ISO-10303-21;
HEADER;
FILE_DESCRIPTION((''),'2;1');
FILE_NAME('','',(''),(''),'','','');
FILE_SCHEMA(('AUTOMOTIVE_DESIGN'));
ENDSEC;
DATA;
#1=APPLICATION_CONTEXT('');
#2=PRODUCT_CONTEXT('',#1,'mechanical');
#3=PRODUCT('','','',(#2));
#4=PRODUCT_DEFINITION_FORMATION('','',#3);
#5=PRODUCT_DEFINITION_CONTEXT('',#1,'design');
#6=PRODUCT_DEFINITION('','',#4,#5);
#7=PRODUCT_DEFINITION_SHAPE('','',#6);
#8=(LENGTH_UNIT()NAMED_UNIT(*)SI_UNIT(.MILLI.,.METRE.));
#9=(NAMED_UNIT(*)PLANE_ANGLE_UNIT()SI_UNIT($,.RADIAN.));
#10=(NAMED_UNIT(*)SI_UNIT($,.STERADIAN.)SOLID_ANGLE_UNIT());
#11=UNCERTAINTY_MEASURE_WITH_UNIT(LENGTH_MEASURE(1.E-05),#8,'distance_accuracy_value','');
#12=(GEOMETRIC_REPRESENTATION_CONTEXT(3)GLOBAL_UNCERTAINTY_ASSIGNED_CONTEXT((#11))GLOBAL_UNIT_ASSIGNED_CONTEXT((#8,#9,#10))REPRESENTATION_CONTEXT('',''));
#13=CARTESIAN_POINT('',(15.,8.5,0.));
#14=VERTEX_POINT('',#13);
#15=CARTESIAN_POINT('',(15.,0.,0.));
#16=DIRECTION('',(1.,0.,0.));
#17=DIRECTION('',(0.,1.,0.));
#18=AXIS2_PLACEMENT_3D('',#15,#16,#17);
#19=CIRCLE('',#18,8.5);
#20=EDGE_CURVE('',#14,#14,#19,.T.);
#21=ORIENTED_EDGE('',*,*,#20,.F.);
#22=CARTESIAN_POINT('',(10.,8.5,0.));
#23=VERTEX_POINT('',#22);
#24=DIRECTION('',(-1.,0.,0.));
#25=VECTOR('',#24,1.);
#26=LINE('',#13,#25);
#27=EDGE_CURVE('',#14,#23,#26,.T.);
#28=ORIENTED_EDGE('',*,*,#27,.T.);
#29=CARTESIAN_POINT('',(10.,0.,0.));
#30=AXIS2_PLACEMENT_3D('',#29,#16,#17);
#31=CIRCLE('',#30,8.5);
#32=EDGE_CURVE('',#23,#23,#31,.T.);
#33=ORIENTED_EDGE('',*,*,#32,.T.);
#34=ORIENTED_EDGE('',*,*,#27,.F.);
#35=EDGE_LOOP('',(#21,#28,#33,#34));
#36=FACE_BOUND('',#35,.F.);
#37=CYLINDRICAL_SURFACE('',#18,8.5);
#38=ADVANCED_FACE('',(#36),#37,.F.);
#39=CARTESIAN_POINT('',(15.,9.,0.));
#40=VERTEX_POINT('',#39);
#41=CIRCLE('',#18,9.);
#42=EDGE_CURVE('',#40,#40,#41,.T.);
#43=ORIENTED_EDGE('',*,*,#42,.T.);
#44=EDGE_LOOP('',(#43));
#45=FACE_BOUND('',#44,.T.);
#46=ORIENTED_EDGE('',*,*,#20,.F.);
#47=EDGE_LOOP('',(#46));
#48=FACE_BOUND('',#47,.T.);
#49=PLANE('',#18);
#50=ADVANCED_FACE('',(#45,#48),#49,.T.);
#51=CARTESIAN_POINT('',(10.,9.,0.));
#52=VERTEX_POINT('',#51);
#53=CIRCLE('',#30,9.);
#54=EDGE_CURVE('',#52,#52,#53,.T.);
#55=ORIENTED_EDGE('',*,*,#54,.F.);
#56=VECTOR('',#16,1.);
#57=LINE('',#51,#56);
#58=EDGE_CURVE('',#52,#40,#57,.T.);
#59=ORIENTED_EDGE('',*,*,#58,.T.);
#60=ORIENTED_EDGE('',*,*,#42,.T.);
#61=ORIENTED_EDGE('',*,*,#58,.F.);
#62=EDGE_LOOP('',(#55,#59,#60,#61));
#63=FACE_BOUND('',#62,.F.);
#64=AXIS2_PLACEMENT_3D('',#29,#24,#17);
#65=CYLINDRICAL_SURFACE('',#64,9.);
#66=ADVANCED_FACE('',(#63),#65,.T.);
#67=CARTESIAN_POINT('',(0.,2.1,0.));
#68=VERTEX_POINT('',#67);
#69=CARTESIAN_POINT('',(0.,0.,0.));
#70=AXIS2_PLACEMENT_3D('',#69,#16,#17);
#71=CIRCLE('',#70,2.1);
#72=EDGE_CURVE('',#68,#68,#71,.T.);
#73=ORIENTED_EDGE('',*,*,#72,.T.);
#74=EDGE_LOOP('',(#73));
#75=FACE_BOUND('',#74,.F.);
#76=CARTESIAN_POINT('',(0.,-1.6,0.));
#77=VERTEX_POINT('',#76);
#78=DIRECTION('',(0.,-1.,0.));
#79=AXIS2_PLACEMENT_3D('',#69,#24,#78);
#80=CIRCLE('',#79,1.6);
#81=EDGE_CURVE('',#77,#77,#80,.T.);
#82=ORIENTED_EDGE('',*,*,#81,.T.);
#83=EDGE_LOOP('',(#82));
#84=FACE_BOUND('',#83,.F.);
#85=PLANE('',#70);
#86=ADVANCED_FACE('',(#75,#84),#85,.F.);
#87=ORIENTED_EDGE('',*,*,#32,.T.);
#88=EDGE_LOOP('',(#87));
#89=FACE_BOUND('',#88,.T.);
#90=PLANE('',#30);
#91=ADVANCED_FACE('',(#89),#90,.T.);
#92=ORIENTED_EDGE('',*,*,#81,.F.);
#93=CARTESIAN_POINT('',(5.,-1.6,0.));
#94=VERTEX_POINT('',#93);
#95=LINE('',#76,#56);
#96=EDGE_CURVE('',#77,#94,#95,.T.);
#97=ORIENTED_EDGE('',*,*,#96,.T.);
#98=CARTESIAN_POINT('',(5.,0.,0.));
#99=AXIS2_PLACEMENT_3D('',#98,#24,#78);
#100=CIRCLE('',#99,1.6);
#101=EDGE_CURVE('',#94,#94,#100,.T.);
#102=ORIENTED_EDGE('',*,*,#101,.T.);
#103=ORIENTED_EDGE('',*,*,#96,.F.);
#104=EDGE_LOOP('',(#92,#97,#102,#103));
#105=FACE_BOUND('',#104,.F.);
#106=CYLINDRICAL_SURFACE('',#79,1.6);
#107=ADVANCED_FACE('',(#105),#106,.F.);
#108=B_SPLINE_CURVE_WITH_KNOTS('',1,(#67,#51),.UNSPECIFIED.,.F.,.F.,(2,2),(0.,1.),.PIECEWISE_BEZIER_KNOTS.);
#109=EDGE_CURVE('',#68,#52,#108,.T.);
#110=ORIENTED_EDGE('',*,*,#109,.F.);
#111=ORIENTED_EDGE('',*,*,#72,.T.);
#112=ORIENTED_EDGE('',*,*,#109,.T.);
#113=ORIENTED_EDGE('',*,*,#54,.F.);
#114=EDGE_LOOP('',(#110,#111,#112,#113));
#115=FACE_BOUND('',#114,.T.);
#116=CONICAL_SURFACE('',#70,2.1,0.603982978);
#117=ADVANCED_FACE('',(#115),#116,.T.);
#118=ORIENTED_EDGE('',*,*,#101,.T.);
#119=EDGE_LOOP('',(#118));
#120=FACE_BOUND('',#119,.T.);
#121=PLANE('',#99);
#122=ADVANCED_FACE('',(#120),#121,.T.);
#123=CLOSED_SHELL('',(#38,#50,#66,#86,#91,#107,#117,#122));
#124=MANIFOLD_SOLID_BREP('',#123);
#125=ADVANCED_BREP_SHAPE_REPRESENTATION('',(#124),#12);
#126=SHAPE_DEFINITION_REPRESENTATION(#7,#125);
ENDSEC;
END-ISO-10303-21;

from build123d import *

# Parameters (mm, degrees)
F0_R     = 2.1
F2_R     = 9
F4_R     = 1.6
F5_DEPTH = 5
F6_DEPTH = 5
F7_R     = 8.5
F8_DEPTH = 5


with BuildPart() as f3:
    # F0 (on Right) → F3 section 0
    with BuildSketch(Plane.YZ):
        Circle(F0_R)
    # F2 (on offset) → F3 section 1
    with BuildSketch(Plane.YZ.offset(10)):
        Circle(F2_R)
    loft()

    # F4 (on face) → F5 (cut)
    with BuildSketch(Plane(origin=(0, 0, 0), x_dir=(0, -1, 0), z_dir=(-1, 0, 0))):
        Circle(F4_R)
    extrude(amount=-F5_DEPTH, mode=Mode.SUBTRACT)

    # F2 (on offset) → F6 (join)
    with BuildSketch(Plane.YZ.offset(10)):
        Circle(F2_R)
    extrude(amount=F6_DEPTH)

    # F7 (on face) → F8 (cut)
    with BuildSketch(Plane.YZ.offset(15)):
        Circle(F7_R)
    extrude(amount=-F8_DEPTH, mode=Mode.SUBTRACT)


solid = f3.part
